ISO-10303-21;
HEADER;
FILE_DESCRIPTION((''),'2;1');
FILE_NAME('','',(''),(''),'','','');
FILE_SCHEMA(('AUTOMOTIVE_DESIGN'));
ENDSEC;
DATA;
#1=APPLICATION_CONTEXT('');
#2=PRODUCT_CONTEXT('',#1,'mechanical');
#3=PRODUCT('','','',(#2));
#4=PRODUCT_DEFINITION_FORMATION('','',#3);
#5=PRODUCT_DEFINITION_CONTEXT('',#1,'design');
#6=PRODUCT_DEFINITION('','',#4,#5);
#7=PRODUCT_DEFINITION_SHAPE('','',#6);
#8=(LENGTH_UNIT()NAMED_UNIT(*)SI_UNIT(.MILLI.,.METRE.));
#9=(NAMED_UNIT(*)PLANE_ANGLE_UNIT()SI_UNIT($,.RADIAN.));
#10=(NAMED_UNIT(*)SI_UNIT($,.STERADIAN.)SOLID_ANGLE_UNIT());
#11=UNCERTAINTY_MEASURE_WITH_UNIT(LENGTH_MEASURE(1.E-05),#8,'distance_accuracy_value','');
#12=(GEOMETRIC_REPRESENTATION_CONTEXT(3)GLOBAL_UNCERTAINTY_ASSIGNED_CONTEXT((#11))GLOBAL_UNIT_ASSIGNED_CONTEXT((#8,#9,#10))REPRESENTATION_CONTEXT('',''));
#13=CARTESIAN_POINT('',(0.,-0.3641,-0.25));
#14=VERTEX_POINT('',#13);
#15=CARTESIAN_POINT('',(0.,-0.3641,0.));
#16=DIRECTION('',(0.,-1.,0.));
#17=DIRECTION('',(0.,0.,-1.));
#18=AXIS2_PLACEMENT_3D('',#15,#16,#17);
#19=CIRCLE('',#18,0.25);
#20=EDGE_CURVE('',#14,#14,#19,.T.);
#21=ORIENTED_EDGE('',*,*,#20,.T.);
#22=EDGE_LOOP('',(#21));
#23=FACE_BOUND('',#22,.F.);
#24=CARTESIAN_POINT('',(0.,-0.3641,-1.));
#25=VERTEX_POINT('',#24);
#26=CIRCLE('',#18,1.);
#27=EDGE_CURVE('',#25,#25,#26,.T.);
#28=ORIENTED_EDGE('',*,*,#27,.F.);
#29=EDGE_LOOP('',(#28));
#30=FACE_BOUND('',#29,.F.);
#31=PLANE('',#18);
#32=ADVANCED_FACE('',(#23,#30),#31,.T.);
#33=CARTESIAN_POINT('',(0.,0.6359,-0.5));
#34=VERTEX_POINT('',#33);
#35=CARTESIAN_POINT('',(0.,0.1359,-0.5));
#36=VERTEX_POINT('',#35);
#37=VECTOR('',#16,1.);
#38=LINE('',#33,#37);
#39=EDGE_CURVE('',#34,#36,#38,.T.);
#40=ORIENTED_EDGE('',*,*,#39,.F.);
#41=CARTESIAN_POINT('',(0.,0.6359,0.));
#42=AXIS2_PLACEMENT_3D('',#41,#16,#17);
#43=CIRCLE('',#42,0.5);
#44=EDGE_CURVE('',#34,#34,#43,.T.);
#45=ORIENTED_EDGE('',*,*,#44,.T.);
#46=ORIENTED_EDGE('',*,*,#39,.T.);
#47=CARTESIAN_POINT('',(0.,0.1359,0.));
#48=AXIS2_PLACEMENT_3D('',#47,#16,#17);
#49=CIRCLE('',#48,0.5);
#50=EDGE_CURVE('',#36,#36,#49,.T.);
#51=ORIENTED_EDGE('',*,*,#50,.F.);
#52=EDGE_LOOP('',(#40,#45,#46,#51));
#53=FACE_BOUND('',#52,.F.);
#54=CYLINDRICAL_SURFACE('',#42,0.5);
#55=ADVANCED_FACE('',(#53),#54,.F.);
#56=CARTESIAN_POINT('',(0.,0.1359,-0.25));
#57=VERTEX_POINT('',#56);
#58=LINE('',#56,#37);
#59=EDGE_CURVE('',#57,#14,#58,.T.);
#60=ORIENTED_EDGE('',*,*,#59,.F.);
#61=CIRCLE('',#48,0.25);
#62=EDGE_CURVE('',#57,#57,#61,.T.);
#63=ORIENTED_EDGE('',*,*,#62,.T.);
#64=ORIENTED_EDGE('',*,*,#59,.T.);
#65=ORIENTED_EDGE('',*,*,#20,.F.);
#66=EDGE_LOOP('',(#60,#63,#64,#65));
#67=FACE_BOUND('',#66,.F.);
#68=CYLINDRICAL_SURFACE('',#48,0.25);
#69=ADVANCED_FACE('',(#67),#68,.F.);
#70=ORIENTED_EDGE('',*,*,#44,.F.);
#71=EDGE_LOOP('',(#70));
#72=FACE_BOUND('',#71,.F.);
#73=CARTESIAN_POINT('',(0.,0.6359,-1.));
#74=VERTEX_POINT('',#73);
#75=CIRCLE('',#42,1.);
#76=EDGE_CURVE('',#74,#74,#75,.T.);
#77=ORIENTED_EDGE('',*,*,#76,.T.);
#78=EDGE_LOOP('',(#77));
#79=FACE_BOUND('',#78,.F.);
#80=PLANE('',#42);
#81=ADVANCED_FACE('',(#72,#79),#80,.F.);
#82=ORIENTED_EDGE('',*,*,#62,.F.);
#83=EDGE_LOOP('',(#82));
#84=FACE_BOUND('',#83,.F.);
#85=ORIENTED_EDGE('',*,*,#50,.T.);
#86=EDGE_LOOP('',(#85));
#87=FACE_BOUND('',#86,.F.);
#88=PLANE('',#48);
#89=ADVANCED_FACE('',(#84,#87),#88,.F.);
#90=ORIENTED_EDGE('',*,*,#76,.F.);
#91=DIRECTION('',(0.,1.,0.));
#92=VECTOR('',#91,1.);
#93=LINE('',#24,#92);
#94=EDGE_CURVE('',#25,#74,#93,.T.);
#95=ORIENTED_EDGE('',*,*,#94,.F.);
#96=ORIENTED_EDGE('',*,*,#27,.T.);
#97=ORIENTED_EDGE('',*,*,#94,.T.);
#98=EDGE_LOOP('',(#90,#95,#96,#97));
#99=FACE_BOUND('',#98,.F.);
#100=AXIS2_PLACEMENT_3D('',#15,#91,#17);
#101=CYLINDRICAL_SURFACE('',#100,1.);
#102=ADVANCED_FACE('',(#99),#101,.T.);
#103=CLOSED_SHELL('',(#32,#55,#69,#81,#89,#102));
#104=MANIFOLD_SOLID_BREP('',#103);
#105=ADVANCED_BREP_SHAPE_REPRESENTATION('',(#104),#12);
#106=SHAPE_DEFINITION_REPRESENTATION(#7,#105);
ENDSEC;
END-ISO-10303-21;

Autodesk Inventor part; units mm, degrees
ref_plane "YZ Plane" through (0, 0, 0) normal (1, 0, 0) x (0, 1, 0)
ref_plane "XZ Plane" through (0, 0, 0) normal (0, 1, 0) x (-1, 0, 0)
ref_plane "XY Plane" through (0, 0, 0) normal (0, 0, 1) x (1, 0, 0)
sketch "Sketch1" plane through (0, 0, 0) normal (1, 0, 0) x (0, 1, 0)
  line L0 (0.1359, -0.25) -> (-0.3641, -0.25)
  line L1 (-0.3641, -0.25) -> (-0.3641, -1)
  line L2 (-0.3641, -1) -> (0.6359, -1)
  line L3 (0.6359, -1) -> (0.6359, -0.5)
  line L4 (0.6359, -0.5) -> (0.1359, -0.5)
  line L5 (0.1359, -0.5) -> (0.1359, -0.25)
  line L6 (0.8485, 0) -> (-0.3641, 0)
  point P0 (0, 0)
  dimension "d0" = 1
  dimension "d2" = 2
  dimension "d3" = 1
  dimension "d4" = 0.5
  dimension "d5" = 0.5
revolve "Revolution1" add sketch "Sketch1" angle 360 about axis through (0, 0.8485, 0) along (0, -1, 0)
properties part number "bearing base _xw"
